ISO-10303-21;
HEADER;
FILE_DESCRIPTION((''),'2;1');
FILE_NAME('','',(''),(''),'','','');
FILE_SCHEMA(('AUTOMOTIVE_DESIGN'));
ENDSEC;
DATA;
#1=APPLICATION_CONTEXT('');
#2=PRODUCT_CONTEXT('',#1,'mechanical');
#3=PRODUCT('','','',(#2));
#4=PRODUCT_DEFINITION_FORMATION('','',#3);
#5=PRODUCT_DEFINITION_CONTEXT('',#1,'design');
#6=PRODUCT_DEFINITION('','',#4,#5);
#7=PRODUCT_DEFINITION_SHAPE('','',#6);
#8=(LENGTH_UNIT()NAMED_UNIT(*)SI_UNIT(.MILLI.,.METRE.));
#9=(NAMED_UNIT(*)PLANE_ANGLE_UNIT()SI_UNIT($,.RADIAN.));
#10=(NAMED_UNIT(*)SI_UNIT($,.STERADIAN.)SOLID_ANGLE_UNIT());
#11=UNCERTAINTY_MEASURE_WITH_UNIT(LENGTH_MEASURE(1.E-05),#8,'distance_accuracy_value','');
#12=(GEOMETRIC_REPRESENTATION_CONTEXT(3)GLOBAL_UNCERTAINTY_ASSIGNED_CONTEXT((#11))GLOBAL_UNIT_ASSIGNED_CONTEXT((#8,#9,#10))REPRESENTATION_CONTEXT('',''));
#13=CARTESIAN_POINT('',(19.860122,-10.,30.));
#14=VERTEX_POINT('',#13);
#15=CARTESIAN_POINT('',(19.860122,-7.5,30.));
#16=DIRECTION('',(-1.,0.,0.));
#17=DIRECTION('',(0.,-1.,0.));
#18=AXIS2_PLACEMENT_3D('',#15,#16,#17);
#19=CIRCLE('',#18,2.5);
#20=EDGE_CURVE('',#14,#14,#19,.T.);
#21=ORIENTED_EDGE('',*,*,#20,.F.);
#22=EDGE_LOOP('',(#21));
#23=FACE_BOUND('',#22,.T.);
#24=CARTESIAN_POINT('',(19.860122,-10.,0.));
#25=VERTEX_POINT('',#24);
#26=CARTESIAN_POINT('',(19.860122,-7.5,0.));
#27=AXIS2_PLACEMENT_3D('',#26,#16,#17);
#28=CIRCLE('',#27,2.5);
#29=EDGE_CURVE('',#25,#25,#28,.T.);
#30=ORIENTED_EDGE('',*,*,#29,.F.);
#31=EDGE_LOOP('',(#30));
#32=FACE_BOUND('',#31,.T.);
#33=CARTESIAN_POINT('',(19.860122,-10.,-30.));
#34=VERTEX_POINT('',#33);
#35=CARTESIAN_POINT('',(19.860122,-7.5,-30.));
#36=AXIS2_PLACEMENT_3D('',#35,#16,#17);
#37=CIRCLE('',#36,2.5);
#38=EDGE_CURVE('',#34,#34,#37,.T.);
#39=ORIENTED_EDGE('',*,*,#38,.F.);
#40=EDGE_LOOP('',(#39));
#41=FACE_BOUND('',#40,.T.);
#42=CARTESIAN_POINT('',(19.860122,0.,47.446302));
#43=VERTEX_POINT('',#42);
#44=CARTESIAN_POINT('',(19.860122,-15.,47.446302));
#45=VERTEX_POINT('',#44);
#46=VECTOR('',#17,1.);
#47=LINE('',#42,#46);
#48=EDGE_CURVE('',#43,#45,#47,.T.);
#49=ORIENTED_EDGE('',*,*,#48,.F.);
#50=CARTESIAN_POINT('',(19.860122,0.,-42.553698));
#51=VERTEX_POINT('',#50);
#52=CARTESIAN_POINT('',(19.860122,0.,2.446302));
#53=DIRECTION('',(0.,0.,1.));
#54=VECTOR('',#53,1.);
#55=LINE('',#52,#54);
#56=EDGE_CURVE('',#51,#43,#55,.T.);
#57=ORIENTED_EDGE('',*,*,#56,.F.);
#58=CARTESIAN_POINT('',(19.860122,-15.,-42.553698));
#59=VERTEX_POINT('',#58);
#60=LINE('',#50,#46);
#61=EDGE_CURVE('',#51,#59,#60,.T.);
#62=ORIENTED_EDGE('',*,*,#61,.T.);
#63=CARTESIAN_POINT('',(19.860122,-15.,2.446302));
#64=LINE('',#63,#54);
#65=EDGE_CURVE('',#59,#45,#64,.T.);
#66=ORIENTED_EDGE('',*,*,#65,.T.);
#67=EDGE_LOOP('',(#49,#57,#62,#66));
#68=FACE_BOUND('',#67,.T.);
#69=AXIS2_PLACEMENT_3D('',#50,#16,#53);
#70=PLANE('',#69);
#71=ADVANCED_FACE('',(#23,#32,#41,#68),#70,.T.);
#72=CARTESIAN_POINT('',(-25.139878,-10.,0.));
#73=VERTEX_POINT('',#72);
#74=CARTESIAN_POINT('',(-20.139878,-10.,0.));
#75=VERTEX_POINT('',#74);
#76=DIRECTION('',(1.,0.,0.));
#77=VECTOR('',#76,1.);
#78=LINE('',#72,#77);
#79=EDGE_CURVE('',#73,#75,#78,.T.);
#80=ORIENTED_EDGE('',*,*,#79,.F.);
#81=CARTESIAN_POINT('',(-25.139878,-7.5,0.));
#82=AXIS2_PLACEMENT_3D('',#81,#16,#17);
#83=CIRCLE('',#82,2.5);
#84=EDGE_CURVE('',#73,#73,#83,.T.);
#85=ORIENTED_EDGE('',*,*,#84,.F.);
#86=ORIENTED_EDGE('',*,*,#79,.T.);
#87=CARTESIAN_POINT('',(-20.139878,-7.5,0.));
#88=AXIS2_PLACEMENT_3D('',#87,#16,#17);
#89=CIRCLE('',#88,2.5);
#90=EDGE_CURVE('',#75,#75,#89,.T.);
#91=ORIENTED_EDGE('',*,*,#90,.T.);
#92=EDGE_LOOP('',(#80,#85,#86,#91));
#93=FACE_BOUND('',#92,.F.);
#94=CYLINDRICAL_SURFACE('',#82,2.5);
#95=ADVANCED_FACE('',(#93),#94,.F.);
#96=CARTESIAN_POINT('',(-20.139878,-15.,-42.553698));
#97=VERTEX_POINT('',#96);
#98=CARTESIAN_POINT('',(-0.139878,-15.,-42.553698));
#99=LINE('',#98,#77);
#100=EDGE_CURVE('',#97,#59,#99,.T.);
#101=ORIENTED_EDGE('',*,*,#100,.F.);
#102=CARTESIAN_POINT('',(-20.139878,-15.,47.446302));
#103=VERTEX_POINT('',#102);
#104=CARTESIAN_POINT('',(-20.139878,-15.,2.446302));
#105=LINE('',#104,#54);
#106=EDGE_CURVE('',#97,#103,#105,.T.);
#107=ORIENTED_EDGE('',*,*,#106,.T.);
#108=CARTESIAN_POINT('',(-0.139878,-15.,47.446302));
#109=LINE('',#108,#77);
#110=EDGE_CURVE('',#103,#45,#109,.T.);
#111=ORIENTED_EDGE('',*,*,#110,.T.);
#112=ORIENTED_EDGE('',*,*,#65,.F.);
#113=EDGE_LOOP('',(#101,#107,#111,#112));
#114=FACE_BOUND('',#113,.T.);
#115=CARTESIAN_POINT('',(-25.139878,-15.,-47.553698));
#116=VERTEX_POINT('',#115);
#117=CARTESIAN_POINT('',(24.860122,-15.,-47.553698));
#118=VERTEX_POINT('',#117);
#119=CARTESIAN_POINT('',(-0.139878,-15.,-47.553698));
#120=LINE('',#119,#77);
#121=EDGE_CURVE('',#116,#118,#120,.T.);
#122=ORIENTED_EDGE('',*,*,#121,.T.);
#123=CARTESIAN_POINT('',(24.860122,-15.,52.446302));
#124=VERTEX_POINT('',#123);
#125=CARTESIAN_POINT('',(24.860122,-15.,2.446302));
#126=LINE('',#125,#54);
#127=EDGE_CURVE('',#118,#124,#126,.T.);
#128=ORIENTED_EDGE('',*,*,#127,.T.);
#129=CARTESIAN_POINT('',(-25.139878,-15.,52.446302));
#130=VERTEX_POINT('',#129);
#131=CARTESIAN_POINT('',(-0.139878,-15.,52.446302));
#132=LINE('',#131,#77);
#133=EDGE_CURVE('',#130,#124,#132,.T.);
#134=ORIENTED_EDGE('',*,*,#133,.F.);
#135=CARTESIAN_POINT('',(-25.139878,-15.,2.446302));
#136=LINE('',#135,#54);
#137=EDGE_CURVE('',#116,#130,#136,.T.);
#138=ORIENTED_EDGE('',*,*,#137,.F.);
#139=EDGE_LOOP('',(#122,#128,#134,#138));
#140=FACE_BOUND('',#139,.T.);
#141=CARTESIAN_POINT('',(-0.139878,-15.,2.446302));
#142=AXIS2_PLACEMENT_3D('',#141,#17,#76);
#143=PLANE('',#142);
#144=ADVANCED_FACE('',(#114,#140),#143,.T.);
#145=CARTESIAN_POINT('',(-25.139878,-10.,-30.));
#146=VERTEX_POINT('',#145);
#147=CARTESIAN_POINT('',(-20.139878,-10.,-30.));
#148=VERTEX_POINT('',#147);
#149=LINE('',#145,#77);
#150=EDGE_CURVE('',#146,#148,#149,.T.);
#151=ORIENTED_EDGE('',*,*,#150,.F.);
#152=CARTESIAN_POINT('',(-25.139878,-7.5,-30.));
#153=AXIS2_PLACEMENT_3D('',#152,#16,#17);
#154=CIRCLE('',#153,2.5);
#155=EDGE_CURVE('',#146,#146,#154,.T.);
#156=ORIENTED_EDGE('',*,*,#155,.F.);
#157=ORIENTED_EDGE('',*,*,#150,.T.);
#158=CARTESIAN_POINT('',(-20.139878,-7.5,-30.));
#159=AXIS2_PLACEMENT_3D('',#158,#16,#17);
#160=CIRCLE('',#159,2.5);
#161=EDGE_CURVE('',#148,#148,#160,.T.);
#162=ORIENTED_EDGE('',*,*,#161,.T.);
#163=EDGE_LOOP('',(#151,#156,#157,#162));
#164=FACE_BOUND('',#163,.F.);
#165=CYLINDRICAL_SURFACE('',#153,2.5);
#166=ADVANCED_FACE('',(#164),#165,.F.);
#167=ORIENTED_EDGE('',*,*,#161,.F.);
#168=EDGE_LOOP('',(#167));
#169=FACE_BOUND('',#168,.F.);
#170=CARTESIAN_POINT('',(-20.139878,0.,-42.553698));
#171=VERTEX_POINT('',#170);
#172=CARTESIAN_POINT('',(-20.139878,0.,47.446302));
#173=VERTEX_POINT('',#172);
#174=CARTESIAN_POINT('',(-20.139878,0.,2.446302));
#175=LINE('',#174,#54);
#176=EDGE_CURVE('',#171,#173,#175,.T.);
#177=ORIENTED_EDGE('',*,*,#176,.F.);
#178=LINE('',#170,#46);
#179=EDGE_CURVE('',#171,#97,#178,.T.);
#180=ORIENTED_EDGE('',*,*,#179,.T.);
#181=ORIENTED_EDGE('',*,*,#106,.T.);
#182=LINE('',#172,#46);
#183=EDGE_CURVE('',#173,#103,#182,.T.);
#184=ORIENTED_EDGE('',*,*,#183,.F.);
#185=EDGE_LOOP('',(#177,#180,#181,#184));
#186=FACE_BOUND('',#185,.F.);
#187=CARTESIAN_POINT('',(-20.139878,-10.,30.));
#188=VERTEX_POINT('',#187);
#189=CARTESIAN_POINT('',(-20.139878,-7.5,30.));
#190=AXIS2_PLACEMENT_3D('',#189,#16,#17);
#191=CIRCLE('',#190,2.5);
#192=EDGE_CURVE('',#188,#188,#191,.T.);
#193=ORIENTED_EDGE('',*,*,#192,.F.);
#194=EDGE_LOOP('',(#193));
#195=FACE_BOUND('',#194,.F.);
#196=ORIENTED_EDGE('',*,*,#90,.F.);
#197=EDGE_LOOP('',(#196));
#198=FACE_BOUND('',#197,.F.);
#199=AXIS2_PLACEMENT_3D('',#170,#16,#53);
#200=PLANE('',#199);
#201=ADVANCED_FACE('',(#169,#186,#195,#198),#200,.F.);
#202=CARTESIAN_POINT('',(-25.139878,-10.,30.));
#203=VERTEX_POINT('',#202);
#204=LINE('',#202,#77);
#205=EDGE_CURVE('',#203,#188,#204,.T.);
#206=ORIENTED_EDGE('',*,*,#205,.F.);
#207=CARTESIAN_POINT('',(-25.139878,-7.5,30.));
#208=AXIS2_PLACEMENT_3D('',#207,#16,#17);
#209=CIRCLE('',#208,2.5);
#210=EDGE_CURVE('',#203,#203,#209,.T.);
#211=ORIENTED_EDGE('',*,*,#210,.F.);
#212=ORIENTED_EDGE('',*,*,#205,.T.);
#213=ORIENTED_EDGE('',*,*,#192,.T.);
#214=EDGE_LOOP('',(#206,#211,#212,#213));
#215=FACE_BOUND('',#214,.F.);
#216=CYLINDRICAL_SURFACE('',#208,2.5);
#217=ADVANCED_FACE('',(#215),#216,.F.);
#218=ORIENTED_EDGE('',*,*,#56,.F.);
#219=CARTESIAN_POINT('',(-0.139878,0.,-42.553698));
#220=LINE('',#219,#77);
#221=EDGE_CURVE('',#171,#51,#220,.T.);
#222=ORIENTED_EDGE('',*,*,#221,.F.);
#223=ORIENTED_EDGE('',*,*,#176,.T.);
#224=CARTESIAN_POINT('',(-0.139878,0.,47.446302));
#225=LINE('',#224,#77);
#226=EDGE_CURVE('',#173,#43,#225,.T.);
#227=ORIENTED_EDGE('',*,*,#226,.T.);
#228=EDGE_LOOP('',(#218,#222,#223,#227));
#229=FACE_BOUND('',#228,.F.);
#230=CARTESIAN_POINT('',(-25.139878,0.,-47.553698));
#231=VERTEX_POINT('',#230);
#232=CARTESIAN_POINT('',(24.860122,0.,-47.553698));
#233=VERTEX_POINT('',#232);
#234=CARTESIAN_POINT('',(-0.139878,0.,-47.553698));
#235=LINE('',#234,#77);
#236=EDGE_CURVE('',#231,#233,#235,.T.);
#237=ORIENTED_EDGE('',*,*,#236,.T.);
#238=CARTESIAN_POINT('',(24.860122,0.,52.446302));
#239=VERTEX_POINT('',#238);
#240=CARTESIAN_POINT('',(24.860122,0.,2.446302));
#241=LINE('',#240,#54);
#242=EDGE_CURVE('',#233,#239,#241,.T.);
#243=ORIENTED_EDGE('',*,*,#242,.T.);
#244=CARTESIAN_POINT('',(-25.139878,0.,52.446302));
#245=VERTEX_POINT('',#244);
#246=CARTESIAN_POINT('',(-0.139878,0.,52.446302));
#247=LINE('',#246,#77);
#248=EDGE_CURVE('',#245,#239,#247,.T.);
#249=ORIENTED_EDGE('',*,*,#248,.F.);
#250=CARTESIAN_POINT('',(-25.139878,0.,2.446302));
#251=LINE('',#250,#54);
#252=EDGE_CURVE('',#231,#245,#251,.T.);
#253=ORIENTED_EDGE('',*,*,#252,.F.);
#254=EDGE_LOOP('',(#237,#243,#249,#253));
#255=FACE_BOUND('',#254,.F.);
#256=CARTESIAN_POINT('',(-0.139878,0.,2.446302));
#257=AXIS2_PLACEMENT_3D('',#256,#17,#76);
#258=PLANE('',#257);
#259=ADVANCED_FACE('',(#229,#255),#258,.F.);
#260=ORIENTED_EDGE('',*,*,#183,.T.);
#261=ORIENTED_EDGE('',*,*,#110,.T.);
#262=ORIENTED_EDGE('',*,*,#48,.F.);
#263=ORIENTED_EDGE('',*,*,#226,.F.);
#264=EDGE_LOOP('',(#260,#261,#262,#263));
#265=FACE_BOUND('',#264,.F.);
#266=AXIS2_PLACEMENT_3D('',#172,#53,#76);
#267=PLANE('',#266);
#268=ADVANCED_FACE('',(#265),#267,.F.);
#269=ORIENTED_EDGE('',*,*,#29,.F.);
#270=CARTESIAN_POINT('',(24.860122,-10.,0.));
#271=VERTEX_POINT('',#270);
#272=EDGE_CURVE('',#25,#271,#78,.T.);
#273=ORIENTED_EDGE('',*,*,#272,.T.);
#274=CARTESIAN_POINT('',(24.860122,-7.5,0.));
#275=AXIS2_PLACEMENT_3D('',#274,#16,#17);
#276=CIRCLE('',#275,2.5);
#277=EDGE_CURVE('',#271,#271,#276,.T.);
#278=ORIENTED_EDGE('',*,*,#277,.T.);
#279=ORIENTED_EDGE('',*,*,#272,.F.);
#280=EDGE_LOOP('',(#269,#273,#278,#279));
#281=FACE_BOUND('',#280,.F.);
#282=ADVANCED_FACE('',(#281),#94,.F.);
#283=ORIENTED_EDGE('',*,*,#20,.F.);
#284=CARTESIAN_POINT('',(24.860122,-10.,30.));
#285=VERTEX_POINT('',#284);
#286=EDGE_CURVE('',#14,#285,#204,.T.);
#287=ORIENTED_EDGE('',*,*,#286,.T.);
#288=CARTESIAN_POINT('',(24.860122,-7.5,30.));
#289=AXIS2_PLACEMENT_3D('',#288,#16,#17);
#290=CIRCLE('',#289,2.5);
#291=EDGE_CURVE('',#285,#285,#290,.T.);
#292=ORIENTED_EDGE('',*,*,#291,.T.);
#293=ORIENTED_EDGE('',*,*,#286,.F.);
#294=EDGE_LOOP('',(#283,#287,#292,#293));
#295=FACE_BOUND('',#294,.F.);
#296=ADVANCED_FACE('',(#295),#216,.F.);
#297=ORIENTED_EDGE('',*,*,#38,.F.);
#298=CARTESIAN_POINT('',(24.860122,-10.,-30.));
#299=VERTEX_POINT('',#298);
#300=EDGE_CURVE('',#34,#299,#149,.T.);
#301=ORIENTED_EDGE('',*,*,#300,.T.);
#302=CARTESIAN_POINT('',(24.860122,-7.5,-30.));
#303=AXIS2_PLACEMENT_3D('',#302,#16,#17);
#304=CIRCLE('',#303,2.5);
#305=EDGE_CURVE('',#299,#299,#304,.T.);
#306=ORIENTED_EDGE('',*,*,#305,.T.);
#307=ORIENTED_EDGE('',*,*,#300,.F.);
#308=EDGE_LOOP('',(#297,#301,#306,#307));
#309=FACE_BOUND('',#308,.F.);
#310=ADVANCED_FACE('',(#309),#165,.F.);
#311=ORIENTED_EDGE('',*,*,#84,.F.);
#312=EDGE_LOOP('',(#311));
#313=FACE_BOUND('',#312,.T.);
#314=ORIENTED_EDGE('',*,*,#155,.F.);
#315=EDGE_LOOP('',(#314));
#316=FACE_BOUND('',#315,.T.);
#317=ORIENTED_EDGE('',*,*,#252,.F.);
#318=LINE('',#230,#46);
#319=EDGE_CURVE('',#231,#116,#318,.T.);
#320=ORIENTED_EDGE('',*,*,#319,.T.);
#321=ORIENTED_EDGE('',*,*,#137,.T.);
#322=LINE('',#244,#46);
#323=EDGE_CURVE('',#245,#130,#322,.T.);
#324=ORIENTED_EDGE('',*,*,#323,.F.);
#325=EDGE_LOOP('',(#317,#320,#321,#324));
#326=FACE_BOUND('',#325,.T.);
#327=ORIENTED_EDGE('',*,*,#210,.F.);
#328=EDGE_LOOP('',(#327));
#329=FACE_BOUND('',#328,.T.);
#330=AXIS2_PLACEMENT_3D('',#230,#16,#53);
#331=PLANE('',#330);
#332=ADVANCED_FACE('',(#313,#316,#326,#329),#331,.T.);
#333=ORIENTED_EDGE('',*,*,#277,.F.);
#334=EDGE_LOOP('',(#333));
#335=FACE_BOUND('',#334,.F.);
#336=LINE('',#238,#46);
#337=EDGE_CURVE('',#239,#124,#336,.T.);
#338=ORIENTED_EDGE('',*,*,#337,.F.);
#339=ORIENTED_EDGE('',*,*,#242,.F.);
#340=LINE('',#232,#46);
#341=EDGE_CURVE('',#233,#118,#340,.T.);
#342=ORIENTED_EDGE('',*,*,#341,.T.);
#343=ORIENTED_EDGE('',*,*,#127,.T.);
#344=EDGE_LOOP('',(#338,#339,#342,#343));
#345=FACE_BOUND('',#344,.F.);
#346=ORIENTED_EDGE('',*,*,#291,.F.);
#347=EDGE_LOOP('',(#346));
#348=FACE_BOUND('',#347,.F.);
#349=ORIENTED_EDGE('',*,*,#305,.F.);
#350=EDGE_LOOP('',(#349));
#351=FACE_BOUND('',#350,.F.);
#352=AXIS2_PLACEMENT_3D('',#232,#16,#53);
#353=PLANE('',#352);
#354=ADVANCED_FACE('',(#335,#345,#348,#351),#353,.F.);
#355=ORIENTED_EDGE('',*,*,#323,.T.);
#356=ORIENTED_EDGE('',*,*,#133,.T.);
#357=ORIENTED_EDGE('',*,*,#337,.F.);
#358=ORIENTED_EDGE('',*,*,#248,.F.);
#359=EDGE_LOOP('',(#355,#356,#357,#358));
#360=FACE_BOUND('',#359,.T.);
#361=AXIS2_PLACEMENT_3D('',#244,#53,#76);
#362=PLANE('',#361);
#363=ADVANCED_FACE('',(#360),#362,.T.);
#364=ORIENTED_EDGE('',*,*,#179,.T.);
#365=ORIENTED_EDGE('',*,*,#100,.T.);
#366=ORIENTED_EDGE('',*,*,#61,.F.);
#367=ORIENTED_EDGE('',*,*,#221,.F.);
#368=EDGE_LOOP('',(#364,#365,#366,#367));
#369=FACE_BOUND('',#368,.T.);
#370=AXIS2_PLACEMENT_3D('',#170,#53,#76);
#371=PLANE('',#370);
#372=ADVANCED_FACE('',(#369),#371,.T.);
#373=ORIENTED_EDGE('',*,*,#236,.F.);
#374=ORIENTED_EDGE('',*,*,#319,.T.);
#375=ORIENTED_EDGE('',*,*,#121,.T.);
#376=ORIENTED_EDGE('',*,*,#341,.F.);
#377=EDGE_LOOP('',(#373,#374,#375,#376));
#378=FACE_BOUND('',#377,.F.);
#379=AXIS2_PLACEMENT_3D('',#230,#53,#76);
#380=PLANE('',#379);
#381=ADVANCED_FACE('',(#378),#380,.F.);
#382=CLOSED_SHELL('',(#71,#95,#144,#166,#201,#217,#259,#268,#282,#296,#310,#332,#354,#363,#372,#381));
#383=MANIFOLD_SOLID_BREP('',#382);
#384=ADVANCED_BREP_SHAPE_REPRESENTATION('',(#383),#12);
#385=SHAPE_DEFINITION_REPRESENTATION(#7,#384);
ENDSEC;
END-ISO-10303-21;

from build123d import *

# Parameters (mm, degrees)
F0_W     = 50
F0_H     = 100
F0_W_2   = 40
F0_H_2   = 90
F1_DEPTH = 15
F2_R     = 2.5
F3_DEPTH = 50.001


with BuildPart() as f1:
    # F0 (on Front) → F1 (new body)
    with BuildSketch(Plane.XZ):
        with Locations((-0.139878, 2.446302)):
            Rectangle(F0_W, F0_H)
        with Locations((-0.139878, 2.446302)):
            Rectangle(F0_W_2, F0_H_2, mode=Mode.SUBTRACT)
    extrude(amount=F1_DEPTH)

    # F2 (on face) → F3 (cut, through all)
    with BuildSketch(Plane(origin=(-25.139878, 0, 0), x_dir=(0, -1, 0), z_dir=(-1, 0, 0))):
        with Locations((7.5, 30)):
            Circle(F2_R)
        with Locations((7.5, 0)):
            Circle(F2_R)
        with Locations((7.5, -30)):
            Circle(F2_R)
    extrude(amount=-F3_DEPTH, mode=Mode.SUBTRACT)


solid = f1.part
